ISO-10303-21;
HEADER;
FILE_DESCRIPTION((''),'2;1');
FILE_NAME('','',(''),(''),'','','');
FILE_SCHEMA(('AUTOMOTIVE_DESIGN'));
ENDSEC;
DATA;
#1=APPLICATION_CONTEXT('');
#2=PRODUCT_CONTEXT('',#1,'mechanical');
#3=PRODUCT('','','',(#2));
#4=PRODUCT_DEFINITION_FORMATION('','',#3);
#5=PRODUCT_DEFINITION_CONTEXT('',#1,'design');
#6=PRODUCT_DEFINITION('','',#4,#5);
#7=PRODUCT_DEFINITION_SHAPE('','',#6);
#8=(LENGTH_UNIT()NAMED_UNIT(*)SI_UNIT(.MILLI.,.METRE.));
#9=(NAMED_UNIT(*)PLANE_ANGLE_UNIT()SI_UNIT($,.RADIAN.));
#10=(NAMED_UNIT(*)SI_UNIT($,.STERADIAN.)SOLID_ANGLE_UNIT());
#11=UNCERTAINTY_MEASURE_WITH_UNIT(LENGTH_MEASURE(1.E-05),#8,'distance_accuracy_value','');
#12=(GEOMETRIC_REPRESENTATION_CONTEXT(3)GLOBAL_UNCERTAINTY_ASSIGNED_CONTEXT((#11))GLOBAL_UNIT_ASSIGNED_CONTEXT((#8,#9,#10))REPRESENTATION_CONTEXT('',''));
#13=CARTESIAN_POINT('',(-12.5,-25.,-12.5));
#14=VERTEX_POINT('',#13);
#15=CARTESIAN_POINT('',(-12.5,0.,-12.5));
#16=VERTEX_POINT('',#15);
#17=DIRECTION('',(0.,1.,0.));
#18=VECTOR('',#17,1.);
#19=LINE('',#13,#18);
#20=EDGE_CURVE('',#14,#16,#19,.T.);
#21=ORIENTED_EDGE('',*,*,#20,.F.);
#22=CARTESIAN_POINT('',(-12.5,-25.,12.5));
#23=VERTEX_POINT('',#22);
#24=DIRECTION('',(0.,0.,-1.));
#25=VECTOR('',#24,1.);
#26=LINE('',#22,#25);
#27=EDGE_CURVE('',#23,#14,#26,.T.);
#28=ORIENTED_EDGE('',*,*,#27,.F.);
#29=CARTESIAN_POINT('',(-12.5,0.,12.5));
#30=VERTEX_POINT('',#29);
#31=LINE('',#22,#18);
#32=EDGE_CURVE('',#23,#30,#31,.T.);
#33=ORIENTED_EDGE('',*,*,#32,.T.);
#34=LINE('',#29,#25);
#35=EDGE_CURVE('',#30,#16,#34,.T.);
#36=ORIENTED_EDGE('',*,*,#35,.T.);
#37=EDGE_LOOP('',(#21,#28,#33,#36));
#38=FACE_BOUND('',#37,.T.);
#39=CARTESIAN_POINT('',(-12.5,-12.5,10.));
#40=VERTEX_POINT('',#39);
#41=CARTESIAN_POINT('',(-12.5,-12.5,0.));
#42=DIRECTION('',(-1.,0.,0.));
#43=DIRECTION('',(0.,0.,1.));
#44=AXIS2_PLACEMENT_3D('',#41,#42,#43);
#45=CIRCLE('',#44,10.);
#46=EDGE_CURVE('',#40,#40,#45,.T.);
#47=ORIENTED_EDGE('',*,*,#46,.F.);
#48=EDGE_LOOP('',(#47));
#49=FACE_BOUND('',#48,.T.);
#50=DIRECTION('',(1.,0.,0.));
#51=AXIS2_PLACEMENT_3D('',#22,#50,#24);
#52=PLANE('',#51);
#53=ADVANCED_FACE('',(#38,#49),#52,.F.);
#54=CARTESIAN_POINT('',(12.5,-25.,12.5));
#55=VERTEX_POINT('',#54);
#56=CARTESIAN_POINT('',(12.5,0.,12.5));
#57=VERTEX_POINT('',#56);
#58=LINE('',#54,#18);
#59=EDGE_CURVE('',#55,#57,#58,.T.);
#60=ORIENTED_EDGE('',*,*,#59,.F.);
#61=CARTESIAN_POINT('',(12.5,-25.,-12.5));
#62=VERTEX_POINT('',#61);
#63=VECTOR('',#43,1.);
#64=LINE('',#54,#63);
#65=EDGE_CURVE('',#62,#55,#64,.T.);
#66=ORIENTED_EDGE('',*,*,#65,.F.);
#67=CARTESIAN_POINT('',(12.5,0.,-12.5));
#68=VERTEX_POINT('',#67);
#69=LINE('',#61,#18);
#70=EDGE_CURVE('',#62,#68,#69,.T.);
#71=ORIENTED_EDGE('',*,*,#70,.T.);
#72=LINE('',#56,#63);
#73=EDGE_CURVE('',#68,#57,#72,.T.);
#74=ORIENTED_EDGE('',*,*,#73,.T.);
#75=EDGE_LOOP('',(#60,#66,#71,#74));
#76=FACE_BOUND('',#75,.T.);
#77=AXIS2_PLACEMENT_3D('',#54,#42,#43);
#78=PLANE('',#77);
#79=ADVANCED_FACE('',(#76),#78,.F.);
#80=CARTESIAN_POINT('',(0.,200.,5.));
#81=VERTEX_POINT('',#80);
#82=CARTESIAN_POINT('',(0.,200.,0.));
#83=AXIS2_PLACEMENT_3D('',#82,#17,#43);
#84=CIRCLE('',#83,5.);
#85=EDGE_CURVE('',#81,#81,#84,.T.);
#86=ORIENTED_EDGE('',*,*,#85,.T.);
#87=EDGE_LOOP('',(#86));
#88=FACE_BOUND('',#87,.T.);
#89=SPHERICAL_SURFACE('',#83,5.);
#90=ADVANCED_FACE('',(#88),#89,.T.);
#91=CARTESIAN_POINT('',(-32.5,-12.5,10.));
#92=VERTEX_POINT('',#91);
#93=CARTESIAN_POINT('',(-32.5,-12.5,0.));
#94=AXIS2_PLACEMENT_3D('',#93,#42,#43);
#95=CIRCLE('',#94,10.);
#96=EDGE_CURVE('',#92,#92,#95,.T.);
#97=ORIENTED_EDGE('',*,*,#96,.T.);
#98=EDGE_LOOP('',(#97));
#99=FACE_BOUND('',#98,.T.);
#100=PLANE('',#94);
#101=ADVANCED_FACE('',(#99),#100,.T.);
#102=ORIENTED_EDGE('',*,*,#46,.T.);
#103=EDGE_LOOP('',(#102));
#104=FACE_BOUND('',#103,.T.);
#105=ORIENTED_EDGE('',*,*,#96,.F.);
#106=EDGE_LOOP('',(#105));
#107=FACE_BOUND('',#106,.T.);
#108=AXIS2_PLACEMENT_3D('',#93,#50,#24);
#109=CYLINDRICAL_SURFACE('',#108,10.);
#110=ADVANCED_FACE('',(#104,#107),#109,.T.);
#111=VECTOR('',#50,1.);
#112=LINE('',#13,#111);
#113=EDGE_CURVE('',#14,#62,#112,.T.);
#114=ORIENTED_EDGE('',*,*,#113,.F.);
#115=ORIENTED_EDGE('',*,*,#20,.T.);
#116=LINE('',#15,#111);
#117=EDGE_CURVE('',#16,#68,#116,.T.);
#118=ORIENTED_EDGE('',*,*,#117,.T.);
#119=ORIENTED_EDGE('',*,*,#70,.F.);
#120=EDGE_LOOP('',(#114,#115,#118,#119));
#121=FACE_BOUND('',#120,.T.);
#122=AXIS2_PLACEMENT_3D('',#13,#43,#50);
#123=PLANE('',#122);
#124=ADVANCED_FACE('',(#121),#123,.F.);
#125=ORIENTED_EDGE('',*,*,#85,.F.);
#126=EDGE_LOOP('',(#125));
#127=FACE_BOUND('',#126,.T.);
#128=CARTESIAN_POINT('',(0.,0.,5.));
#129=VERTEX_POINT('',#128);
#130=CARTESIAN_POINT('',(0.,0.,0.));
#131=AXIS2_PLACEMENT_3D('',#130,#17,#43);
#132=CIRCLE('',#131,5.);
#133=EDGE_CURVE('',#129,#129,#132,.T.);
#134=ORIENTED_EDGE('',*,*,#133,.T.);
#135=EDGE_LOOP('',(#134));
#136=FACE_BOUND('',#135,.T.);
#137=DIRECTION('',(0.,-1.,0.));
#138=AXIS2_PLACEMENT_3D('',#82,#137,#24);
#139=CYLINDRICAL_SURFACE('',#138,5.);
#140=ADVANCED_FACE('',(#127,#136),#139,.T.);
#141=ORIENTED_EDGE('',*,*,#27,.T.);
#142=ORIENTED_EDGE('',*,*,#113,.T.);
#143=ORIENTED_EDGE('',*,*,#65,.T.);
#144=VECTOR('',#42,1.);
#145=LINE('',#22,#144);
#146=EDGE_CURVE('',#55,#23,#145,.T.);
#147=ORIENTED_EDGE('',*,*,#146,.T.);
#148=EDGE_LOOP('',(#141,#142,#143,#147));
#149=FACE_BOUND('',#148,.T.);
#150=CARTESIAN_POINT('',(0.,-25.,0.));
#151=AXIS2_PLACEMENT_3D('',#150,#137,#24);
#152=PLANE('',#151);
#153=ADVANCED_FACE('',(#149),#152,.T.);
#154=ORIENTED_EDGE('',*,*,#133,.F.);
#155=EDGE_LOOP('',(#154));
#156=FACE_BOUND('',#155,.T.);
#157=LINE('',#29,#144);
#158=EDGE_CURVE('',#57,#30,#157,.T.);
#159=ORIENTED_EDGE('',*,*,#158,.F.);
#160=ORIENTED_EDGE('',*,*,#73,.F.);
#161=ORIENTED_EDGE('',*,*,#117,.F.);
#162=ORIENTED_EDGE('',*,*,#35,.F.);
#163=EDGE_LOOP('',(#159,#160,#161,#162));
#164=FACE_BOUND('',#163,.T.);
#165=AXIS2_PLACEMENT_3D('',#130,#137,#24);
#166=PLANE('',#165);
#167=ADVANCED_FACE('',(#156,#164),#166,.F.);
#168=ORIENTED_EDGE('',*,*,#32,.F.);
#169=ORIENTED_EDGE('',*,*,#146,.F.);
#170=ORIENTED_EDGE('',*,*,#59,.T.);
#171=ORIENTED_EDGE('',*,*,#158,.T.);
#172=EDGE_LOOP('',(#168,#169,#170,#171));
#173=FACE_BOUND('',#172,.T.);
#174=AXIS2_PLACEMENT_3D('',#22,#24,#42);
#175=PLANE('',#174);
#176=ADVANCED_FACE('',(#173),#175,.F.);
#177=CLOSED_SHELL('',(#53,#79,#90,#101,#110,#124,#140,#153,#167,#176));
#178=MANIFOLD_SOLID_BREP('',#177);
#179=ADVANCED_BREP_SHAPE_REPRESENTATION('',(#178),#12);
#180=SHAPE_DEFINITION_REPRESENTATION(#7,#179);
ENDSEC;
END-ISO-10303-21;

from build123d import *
from build123d.topology import SkipClean

# Parameters (mm, degrees)
SKETCH2_R           = 5
BOSS_EXTRUDE1_DEPTH = 200
SKETCH3_W           = 25
SKETCH3_H           = 25
BOSS_EXTRUDE2_DEPTH = 25
SKETCH4_R           = 10
BOSS_EXTRUDE3_DEPTH = 20


with BuildPart() as part:
    # Sketch2 → Boss-Extrude1 (new body)
    with BuildSketch(Plane(origin=(0, 0, 0), x_dir=(1, 0, 0), z_dir=(0, 1, 0))):
        with Locations(Location((0, 0, 0), (0, 0, 270))):
            Circle(SKETCH2_R)
    extrude(amount=BOSS_EXTRUDE1_DEPTH)

    # Sketch3 → Boss-Extrude2 (add)
    with BuildSketch(Plane.XZ):
        Rectangle(SKETCH3_W, SKETCH3_H)
    extrude(amount=BOSS_EXTRUDE2_DEPTH)

    # Sketch4 → Boss-Extrude3 (add)
    with BuildSketch(Plane.ZY.offset(12.5)):
        with Locations((0, -12.5)):
            Circle(SKETCH4_R)
    extrude(amount=BOSS_EXTRUDE3_DEPTH)

    # Sketch6 → Revolve2 (revolve)
    with SkipClean():  # the faces are left unmerged after this step: merging them gives an invalid solid
        with BuildSketch(Plane(origin=(0, 0, 0), x_dir=(0, 0, -1), z_dir=(1, 0, 0))):
            with BuildLine():
                Line((-5, 200), (5, 200))
                ThreePointArc((5, 200), (0, 205), (-5, 200))
            make_face()
        revolve(axis=Axis((0, 200, 5), (0, 0, -1)))


solid = part.part
